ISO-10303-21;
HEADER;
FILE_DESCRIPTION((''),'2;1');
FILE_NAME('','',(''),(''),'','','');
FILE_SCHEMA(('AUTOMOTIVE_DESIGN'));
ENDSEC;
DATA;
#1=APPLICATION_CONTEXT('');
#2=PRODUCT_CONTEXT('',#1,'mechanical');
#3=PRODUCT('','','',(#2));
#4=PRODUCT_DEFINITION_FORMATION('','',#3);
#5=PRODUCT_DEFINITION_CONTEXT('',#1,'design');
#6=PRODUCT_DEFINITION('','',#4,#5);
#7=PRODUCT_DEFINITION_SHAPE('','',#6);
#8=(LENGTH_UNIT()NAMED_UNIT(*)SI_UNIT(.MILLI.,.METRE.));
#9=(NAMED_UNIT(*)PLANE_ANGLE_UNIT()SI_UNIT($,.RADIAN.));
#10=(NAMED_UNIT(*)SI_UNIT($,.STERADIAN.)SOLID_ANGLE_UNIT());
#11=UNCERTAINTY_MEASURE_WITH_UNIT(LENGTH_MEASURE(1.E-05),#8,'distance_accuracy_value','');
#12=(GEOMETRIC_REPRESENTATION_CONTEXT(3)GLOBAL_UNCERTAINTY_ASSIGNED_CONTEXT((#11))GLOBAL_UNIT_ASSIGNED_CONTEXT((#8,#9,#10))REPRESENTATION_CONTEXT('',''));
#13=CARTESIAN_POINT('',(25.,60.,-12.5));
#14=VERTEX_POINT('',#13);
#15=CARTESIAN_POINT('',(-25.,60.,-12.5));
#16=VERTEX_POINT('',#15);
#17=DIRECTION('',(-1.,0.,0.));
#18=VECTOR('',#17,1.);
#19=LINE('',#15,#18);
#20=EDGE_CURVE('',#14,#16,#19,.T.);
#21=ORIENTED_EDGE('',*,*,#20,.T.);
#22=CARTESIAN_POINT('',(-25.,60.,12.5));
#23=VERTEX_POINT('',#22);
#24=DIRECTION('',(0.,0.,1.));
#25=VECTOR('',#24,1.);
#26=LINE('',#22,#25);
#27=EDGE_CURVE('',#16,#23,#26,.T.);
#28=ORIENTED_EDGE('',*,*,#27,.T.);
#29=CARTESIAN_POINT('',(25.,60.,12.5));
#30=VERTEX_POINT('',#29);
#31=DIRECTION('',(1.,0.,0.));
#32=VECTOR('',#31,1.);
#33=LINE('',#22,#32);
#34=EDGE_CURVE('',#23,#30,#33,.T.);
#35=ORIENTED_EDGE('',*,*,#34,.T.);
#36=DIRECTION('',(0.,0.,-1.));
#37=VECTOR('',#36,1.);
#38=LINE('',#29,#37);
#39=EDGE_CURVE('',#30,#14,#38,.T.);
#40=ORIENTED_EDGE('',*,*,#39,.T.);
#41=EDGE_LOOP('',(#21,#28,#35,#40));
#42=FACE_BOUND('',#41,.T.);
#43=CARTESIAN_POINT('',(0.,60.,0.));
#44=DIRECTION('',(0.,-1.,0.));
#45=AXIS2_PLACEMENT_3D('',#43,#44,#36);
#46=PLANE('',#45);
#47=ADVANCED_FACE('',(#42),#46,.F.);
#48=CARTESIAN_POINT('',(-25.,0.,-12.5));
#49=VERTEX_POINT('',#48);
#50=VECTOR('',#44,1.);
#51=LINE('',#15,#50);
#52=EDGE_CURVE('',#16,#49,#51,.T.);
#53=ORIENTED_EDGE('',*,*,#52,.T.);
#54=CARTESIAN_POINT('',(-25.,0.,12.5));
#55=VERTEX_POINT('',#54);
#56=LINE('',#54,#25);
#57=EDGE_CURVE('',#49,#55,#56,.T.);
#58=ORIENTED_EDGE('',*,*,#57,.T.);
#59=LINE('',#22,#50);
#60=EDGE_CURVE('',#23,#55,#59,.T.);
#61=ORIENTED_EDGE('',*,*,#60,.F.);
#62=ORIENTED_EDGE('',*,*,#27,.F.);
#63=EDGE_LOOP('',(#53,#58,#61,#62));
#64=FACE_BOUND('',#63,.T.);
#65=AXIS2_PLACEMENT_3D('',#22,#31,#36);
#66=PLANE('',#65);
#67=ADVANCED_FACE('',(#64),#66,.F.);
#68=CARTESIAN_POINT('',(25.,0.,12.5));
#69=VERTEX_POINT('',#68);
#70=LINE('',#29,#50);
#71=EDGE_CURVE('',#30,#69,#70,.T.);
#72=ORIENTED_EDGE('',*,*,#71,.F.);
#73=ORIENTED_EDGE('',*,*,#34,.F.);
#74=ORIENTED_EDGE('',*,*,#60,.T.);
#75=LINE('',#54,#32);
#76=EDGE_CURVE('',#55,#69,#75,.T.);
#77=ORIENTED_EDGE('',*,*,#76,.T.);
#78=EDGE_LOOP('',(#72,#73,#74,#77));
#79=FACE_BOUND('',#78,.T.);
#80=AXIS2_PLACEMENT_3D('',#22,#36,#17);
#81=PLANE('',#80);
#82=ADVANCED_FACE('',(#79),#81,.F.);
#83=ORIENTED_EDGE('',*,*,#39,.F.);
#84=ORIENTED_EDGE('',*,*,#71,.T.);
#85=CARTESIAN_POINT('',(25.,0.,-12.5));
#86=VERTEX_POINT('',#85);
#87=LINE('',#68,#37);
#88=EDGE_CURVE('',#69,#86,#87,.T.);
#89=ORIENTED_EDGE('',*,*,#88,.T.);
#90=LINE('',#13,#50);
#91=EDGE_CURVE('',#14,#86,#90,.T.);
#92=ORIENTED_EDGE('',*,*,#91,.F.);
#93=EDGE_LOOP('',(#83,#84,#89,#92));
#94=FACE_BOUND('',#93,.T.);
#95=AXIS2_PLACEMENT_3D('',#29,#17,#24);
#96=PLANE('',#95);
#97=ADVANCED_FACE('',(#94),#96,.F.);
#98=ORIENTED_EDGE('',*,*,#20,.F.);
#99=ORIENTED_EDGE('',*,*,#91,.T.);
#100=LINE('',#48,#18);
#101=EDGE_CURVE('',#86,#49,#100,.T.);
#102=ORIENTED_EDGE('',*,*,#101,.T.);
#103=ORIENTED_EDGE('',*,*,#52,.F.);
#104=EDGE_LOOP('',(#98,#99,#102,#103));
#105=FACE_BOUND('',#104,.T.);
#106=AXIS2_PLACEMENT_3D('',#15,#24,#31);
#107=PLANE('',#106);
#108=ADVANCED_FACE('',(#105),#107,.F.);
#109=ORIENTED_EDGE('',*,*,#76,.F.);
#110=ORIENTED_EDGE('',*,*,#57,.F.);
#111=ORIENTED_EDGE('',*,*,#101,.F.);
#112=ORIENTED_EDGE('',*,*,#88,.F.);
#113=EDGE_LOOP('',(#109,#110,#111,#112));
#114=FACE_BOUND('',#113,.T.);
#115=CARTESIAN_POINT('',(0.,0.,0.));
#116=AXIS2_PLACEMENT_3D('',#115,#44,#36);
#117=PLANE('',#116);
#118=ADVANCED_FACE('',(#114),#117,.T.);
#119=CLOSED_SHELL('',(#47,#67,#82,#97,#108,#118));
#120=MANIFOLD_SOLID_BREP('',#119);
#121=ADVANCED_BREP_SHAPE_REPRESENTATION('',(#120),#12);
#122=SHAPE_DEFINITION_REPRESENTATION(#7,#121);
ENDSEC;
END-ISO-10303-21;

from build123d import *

# Parameters (mm, degrees)
SKETCH1_W           = 50
SKETCH1_H           = 25
BOSS_EXTRUDE1_DEPTH = 60


with BuildPart() as part:
    # Sketch1 → Boss-Extrude1 (new body)
    with BuildSketch(Plane(origin=(0, 0, 0), x_dir=(1, 0, 0), z_dir=(0, 1, 0))):
        Rectangle(SKETCH1_W, SKETCH1_H)
    extrude(amount=BOSS_EXTRUDE1_DEPTH)


solid = part.part
